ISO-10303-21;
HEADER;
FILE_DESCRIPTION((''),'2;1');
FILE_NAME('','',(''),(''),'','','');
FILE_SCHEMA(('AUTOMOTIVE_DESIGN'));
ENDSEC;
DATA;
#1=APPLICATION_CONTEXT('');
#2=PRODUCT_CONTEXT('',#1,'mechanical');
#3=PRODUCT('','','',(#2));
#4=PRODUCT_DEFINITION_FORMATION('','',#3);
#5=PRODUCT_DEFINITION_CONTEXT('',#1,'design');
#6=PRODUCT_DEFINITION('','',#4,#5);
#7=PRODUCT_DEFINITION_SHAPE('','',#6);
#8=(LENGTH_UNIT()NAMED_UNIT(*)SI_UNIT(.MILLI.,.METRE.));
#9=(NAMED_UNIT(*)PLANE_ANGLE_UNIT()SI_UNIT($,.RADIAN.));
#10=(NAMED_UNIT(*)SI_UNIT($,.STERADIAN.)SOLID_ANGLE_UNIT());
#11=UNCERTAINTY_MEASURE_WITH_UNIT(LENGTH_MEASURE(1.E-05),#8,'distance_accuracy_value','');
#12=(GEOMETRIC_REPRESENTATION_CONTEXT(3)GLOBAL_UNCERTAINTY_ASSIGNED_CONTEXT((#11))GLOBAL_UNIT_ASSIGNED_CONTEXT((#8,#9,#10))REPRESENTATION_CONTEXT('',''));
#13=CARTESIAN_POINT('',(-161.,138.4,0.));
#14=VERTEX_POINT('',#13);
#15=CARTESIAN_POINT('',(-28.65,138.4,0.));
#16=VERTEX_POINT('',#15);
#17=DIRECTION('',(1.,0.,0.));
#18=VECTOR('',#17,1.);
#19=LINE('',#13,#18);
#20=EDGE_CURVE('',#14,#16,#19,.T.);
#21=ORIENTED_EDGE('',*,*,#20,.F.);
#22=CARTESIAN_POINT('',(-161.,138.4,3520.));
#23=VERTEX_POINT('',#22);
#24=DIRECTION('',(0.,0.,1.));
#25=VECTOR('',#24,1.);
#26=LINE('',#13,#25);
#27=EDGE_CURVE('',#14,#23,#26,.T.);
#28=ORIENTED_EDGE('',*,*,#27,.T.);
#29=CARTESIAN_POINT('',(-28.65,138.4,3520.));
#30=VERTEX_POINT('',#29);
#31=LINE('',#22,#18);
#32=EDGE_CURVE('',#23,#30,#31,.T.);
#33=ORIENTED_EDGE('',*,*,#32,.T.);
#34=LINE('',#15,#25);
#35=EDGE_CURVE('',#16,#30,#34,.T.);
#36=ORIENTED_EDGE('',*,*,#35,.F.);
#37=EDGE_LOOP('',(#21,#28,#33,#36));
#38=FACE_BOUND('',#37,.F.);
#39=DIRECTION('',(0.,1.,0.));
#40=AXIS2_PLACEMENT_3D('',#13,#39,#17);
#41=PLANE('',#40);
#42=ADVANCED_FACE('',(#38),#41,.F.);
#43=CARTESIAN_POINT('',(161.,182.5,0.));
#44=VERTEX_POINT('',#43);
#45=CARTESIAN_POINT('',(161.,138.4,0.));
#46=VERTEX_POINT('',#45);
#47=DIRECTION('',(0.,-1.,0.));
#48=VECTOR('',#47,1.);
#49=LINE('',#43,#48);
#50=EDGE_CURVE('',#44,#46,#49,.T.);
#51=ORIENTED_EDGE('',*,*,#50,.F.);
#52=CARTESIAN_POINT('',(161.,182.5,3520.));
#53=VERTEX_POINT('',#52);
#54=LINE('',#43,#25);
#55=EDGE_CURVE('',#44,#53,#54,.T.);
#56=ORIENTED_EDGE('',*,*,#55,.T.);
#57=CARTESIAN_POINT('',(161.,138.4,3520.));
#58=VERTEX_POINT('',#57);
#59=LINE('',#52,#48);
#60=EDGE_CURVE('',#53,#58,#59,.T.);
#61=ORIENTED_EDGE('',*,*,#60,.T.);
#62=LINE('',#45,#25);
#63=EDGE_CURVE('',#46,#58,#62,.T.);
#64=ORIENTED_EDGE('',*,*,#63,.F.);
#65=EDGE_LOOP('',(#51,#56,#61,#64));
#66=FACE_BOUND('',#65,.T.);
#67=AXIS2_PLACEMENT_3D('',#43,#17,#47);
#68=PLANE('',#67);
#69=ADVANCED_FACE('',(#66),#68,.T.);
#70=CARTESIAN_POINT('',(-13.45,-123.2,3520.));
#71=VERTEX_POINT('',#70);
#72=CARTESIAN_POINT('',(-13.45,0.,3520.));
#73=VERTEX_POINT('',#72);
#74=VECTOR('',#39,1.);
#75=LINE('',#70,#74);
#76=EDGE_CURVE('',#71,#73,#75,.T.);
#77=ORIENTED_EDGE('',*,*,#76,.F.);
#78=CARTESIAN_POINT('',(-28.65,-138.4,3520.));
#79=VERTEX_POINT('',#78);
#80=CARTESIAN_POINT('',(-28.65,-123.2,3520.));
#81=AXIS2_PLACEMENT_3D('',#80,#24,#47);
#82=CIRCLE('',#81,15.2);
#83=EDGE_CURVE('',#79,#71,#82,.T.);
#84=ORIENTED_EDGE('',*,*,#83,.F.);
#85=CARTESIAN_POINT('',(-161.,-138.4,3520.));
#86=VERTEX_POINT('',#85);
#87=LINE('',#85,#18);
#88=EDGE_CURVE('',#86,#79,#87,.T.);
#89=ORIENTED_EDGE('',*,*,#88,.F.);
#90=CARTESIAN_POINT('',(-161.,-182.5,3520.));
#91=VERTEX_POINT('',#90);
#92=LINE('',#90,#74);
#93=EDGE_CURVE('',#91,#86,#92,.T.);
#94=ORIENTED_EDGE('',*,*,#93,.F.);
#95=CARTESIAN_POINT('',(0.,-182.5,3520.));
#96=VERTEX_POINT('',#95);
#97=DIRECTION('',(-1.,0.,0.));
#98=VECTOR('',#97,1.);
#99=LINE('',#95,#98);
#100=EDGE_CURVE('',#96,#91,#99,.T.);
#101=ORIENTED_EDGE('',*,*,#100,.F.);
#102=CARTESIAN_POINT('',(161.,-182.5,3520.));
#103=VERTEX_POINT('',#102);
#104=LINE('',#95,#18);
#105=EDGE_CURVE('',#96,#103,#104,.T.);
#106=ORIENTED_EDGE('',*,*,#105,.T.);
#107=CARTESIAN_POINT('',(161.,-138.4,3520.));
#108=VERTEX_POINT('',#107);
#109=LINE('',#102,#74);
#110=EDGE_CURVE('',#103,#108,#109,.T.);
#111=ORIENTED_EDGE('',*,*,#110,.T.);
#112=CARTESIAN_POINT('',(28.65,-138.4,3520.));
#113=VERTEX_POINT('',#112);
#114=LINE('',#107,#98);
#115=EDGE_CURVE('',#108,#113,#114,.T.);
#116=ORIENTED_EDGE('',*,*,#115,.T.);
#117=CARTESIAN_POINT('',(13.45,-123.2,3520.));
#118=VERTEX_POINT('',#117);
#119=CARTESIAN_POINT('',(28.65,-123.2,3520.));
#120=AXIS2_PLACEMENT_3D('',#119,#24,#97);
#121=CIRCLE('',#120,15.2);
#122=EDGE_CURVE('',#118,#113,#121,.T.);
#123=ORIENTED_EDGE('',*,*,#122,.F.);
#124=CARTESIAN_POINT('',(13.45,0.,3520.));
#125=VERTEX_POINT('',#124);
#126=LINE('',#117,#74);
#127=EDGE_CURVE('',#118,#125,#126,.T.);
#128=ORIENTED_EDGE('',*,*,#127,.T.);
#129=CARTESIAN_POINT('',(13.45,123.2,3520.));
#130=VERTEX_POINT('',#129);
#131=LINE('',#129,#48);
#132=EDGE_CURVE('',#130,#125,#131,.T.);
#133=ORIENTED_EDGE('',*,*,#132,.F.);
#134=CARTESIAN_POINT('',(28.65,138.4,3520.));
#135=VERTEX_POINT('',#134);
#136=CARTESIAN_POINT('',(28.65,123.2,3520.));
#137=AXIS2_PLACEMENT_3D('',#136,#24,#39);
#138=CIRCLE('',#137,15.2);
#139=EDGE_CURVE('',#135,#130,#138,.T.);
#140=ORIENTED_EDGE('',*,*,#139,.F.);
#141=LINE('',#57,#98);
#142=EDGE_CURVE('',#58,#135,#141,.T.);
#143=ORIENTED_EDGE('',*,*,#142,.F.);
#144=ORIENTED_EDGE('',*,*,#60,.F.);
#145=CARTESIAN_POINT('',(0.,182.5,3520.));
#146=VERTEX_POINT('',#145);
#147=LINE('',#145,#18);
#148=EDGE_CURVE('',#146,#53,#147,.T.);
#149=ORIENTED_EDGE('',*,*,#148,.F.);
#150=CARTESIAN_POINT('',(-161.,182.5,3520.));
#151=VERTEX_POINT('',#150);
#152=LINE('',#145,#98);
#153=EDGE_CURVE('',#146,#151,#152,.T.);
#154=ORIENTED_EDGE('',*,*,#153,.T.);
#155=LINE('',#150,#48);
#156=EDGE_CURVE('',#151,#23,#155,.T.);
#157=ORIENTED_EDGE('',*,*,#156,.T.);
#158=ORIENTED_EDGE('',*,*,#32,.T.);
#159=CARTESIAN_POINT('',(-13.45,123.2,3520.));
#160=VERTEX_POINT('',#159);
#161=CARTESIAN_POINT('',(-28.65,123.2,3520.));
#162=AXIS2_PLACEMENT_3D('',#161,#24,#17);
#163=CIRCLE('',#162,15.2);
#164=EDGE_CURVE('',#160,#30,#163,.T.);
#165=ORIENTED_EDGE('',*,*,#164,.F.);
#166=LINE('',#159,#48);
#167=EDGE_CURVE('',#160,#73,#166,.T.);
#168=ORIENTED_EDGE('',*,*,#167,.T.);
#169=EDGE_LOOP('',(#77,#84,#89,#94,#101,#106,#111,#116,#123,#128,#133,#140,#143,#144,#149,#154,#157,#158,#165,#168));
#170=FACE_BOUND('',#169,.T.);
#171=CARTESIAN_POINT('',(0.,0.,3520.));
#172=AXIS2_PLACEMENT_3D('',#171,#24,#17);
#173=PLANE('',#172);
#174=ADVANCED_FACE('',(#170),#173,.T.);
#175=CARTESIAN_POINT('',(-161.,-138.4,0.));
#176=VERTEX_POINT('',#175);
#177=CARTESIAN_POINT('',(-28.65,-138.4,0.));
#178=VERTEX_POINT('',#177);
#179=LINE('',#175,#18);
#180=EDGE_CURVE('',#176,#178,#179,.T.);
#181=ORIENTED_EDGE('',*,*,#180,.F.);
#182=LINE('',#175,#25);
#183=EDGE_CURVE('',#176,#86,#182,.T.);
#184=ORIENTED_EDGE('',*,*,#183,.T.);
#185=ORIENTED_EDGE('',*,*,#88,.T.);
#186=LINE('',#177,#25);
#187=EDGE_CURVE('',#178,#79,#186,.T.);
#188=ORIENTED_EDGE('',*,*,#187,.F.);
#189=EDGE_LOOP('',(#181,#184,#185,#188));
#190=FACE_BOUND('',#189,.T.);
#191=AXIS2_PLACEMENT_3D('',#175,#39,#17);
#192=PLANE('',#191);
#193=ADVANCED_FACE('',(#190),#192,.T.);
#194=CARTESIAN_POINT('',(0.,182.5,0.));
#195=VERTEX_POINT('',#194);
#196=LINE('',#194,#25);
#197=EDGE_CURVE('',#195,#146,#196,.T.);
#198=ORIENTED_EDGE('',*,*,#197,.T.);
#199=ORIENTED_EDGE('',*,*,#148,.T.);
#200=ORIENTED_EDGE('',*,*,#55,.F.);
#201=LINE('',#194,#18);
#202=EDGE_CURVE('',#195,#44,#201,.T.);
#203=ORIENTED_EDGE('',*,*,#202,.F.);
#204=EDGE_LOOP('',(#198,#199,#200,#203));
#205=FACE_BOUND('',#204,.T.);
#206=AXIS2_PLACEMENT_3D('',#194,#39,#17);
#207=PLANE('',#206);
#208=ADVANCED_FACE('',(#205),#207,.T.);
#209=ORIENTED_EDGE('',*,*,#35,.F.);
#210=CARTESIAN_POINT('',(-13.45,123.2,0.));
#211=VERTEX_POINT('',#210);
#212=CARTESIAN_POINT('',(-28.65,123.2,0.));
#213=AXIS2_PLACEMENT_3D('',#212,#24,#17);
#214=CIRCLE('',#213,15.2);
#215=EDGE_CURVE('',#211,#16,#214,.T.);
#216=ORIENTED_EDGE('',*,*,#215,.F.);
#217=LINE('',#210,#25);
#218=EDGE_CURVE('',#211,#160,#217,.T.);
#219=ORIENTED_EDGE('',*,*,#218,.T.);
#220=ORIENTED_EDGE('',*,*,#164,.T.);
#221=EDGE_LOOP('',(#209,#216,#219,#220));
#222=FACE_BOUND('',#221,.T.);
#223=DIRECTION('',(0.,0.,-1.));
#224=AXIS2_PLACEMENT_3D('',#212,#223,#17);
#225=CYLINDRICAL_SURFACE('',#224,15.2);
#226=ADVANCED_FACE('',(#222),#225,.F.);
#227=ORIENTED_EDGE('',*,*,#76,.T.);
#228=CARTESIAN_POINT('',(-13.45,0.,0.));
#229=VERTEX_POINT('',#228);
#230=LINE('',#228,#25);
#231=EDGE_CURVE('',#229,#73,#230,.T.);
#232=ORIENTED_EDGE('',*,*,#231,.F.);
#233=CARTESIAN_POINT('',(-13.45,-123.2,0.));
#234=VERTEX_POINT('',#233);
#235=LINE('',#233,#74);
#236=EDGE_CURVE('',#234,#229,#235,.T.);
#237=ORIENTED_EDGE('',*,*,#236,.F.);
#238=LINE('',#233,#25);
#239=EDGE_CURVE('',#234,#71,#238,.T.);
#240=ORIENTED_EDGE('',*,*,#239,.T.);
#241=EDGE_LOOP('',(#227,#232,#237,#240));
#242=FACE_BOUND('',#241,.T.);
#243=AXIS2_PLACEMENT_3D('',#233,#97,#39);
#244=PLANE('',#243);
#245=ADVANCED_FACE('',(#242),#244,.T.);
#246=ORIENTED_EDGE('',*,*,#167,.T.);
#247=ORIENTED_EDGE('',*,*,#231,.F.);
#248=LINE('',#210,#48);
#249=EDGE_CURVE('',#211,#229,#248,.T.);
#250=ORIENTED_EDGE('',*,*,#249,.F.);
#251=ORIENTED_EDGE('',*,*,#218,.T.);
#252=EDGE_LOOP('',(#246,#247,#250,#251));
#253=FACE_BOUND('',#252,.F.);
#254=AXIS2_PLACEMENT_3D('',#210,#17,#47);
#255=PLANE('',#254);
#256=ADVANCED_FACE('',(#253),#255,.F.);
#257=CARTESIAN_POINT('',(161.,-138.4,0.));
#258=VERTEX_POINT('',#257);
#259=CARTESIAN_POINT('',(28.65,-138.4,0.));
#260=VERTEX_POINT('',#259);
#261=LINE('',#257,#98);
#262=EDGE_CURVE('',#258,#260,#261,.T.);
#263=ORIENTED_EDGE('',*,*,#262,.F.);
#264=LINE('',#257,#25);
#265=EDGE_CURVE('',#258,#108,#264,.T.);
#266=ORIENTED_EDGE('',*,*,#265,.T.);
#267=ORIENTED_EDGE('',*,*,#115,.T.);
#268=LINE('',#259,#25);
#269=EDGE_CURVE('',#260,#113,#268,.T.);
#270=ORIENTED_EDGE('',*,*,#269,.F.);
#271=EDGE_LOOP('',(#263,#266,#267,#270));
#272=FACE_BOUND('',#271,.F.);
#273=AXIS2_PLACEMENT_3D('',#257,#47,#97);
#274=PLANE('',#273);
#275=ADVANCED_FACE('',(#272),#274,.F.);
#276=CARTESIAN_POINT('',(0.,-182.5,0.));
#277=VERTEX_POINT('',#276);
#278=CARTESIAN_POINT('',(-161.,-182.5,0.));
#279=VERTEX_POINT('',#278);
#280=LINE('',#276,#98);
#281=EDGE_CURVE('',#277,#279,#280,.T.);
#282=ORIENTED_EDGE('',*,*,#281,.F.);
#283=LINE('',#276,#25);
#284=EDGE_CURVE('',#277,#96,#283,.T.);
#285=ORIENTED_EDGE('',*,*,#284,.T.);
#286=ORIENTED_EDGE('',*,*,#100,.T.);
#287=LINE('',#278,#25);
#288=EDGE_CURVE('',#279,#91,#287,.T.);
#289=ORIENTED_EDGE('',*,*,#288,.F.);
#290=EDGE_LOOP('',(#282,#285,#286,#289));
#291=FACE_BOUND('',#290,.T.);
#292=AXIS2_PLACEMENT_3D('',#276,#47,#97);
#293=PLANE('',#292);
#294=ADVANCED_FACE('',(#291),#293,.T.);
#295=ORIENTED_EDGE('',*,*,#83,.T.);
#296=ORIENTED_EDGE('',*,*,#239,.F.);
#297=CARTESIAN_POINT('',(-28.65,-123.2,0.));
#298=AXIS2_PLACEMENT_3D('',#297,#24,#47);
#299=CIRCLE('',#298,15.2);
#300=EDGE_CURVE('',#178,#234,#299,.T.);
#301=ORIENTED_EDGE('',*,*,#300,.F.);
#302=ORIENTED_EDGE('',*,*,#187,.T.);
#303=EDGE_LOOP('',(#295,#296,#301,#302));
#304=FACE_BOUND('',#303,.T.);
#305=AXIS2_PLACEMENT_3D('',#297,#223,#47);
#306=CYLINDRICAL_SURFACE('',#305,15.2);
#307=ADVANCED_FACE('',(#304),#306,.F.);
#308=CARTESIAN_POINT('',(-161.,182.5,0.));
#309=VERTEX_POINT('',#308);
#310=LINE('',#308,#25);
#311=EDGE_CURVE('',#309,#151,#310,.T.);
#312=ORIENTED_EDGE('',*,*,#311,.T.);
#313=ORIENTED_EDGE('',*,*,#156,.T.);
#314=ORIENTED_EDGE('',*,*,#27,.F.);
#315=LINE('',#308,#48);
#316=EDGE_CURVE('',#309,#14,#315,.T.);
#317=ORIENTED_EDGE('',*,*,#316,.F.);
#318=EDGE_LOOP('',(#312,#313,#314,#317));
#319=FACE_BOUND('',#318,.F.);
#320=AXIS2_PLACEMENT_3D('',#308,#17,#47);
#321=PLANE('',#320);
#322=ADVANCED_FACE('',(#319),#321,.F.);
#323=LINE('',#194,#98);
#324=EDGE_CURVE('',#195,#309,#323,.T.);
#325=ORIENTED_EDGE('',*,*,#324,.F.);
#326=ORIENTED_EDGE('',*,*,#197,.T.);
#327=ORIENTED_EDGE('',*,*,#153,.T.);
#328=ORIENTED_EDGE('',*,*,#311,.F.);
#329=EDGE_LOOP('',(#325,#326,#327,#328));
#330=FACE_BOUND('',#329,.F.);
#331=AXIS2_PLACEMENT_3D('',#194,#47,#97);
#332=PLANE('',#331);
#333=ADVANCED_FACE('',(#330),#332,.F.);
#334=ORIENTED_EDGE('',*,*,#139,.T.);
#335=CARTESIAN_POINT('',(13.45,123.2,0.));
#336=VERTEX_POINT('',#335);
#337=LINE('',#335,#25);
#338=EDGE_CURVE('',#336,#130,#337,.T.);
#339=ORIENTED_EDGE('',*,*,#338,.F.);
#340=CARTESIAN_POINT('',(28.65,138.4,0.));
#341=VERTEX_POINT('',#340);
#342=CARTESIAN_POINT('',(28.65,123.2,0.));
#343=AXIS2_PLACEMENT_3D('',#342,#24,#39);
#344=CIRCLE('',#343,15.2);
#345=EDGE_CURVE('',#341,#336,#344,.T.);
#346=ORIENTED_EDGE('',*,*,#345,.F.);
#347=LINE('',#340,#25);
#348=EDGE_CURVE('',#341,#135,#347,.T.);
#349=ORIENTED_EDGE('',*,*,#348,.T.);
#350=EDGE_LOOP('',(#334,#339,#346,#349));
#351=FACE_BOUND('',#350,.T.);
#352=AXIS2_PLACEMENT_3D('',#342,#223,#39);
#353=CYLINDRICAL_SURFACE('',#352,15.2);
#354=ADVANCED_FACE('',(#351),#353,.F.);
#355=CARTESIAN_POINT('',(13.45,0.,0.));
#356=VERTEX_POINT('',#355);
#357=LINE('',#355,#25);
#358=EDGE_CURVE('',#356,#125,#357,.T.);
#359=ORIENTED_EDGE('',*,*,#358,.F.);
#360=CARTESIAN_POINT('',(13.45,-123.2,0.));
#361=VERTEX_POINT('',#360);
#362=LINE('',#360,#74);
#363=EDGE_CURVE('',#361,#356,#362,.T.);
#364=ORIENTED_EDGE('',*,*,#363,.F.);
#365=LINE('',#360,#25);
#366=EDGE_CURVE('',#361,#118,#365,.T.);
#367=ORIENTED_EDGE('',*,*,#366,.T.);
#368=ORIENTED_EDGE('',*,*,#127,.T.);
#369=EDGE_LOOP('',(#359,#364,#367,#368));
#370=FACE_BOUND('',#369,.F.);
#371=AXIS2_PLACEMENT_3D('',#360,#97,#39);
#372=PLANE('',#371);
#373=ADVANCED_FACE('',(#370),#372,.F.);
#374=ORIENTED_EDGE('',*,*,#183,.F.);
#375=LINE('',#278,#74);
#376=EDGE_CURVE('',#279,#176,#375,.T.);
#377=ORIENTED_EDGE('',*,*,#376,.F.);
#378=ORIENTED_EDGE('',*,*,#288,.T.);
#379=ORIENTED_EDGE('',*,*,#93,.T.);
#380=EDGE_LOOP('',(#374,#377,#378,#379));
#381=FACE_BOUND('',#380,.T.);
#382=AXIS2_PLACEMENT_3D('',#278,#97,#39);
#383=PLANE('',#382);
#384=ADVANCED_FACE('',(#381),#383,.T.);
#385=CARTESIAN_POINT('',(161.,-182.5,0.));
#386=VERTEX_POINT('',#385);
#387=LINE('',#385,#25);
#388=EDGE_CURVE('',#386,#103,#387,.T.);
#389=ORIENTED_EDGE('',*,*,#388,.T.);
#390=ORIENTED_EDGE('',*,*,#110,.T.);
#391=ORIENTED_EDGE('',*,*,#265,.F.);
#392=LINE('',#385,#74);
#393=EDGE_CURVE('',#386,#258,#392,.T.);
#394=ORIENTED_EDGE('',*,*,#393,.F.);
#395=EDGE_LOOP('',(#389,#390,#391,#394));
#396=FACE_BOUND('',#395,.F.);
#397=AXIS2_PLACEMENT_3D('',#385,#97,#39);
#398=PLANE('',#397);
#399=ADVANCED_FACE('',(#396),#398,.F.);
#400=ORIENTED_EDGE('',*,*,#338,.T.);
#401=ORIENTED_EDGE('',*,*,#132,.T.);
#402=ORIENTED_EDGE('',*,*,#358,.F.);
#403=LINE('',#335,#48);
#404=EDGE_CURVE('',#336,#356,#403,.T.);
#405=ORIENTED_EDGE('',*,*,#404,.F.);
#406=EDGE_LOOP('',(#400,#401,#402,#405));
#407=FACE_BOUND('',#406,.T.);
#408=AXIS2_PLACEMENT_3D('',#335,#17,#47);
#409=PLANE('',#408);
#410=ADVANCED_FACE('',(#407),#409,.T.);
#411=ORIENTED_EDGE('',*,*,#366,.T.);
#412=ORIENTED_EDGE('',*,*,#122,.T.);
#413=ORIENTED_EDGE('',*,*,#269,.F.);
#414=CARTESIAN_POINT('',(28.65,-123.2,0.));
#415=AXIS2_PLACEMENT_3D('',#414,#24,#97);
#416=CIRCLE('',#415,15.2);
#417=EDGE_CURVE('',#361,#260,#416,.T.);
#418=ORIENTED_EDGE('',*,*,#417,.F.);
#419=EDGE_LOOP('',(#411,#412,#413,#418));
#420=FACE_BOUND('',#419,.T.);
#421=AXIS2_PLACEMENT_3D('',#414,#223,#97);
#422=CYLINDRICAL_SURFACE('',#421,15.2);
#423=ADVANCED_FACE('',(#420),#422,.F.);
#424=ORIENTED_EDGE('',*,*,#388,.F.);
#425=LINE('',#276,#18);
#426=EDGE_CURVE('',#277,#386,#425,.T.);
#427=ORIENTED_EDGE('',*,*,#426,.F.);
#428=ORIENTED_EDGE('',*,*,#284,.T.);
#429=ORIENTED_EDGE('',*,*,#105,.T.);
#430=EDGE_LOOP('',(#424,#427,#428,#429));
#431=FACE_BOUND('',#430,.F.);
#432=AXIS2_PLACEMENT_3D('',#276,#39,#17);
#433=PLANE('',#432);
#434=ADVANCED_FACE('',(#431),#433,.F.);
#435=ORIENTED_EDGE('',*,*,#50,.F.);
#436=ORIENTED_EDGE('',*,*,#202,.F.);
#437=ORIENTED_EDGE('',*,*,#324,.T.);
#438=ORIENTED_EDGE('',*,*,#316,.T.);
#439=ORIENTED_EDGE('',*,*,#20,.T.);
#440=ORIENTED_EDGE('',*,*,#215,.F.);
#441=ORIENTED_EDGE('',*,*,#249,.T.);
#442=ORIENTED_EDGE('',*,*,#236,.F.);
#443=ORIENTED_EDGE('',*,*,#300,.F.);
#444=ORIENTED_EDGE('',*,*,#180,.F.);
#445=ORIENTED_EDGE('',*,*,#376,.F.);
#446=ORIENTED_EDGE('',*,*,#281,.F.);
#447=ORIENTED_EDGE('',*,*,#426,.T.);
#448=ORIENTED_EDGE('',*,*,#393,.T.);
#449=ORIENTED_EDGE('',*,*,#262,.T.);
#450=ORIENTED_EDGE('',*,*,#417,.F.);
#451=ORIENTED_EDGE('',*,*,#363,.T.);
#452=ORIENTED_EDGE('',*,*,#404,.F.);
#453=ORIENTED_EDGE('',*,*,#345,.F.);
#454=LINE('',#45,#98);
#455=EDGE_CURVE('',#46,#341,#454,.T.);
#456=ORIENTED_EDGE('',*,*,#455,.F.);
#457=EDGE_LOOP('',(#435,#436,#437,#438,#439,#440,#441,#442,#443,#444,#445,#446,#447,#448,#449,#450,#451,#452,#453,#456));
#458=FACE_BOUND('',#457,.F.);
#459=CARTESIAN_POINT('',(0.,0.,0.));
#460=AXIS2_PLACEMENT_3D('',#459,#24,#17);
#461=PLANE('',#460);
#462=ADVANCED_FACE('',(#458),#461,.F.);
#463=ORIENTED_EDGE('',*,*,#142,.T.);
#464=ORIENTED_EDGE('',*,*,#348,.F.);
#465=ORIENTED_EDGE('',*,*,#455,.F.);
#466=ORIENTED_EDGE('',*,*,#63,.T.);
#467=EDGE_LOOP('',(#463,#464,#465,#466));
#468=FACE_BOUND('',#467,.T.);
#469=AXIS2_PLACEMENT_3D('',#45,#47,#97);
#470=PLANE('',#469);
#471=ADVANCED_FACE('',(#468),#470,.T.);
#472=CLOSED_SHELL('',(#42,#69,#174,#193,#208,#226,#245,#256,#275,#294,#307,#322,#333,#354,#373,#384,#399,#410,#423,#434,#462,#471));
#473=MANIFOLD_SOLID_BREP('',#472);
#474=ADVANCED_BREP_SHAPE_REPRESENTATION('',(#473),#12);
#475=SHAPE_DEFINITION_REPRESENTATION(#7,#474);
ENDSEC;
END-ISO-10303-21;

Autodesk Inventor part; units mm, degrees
ref_plane "YZ Plane" through (0, 0, 0) normal (1, 0, 0) x (0, 1, 0)
ref_plane "Start plane" through (0, 0, 0) normal (0, 0, 1) x (1, 0, 0)
ref_plane "End plane" through (0, 0, 3520) normal (0, 0, 1) x (1, 0, 0)
sketch "Sketch" plane through (0, 0, 0) normal (0, 0, 1) x (1, 0, 0)
  line L0 (-161, -182.5) -> (-161, -138.4)
  line L1 (-161, -138.4) -> (-28.65, -138.4)
  line L2 (-13.45, -123.2) -> (-13.45, 0)
  line L3 (-13.45, 0) -> (0, 0) construction
  line L4 (0, 0) -> (0, -182.5) construction
  line L5 (0, -182.5) -> (-161, -182.5)
  line L6 (-60, 0) -> (80, 0) construction
  line L7 (0, -60) -> (0, 80) construction
  line L8 (161, -182.5) -> (161, -138.4)
  line L9 (161, -138.4) -> (28.65, -138.4)
  line L10 (13.45, -123.2) -> (13.45, 0)
  line L11 (13.45, 0) -> (0, 0) construction
  line L12 (0, -182.5) -> (161, -182.5)
  line L13 (-161, 182.5) -> (-161, 138.4)
  line L14 (-161, 138.4) -> (-28.65, 138.4)
  line L15 (-13.45, 123.2) -> (-13.45, 0)
  line L16 (0, 182.5) -> (-161, 182.5)
  line L17 (161, 182.5) -> (161, 138.4)
  line L18 (161, 138.4) -> (28.65, 138.4)
  line L19 (0, 182.5) -> (161, 182.5)
  line L20 (13.45, 123.2) -> (13.45, 0)
  arc A0 (-13.45, 123.2) -> (-28.65, 138.4) centre (-28.65, 123.2) ccw
  arc A1 (28.65, 138.4) -> (13.45, 123.2) centre (28.65, 123.2) ccw
  arc A2 (13.45, -123.2) -> (28.65, -138.4) centre (28.65, -123.2) ccw
  arc A3 (-28.65, -138.4) -> (-13.45, -123.2) centre (-28.65, -123.2) ccw
  line L21 (0, 108) -> (0, -88) construction
  line L22 (-88, 0) -> (108, 0) construction
  point P0 (-13.45, -138.4)
  point P1 (13.45, -138.4)
  point P2 (-13.45, 138.4)
  point P3 (13.45, 138.4)
  dimension "d1" = 182.5
  dimension "d2" = 44.1
  dimension "d3" = 161
  dimension "d4" = 13.45
  dimension "d10" = 15.2
extrude "Body" add sketch "Sketch" along normal up to surface (3520 mm away) from surface at 0
sketch "Sketch4" plane through (0, 0, 0) normal (0, 0, 1) x (1, 0, 0)
  line L0 (0, 0) -> (10, 0)
ref_plane "Work Plane3" through (0, 0, 0) normal (0, -1, 0) x (1, 0, 0)
sketch "Sketch5" plane through (0, 0, 0) normal (0, -1, 0) x (1, 0, 0)
  line L0 (-2, 0) -> (12, 0) projected
  line L1 (-2, 3520) -> (12, 3520) projected
  dimension "d14" = 3520
equation "\"d1\" = 0.5 * G_H"
equation "\"d2\" = G_T1"
equation "\"d3\" = 0.5 * G_W"
equation "\"d4\" = 0.5 * G_T"
equation "\"d10\" = G_IR"
equation "\"d5\" = G_L"
equation "\"G_W\" = 322"
equation "\"G_H\" = 365"
equation "\"G_T\" = 26.9"
equation "\"G_T1\" = 44.1"
equation "\"G_IR\" = 15.2"
equation "\"G_L\" = d14"
equation "\"G_OFFSET_START\" = 0"
equation "\"G_OFFSET_END\" = 0"
properties part number "AS 3679 - 310 UC - 283 - 3520" material "Steel, Mild"
